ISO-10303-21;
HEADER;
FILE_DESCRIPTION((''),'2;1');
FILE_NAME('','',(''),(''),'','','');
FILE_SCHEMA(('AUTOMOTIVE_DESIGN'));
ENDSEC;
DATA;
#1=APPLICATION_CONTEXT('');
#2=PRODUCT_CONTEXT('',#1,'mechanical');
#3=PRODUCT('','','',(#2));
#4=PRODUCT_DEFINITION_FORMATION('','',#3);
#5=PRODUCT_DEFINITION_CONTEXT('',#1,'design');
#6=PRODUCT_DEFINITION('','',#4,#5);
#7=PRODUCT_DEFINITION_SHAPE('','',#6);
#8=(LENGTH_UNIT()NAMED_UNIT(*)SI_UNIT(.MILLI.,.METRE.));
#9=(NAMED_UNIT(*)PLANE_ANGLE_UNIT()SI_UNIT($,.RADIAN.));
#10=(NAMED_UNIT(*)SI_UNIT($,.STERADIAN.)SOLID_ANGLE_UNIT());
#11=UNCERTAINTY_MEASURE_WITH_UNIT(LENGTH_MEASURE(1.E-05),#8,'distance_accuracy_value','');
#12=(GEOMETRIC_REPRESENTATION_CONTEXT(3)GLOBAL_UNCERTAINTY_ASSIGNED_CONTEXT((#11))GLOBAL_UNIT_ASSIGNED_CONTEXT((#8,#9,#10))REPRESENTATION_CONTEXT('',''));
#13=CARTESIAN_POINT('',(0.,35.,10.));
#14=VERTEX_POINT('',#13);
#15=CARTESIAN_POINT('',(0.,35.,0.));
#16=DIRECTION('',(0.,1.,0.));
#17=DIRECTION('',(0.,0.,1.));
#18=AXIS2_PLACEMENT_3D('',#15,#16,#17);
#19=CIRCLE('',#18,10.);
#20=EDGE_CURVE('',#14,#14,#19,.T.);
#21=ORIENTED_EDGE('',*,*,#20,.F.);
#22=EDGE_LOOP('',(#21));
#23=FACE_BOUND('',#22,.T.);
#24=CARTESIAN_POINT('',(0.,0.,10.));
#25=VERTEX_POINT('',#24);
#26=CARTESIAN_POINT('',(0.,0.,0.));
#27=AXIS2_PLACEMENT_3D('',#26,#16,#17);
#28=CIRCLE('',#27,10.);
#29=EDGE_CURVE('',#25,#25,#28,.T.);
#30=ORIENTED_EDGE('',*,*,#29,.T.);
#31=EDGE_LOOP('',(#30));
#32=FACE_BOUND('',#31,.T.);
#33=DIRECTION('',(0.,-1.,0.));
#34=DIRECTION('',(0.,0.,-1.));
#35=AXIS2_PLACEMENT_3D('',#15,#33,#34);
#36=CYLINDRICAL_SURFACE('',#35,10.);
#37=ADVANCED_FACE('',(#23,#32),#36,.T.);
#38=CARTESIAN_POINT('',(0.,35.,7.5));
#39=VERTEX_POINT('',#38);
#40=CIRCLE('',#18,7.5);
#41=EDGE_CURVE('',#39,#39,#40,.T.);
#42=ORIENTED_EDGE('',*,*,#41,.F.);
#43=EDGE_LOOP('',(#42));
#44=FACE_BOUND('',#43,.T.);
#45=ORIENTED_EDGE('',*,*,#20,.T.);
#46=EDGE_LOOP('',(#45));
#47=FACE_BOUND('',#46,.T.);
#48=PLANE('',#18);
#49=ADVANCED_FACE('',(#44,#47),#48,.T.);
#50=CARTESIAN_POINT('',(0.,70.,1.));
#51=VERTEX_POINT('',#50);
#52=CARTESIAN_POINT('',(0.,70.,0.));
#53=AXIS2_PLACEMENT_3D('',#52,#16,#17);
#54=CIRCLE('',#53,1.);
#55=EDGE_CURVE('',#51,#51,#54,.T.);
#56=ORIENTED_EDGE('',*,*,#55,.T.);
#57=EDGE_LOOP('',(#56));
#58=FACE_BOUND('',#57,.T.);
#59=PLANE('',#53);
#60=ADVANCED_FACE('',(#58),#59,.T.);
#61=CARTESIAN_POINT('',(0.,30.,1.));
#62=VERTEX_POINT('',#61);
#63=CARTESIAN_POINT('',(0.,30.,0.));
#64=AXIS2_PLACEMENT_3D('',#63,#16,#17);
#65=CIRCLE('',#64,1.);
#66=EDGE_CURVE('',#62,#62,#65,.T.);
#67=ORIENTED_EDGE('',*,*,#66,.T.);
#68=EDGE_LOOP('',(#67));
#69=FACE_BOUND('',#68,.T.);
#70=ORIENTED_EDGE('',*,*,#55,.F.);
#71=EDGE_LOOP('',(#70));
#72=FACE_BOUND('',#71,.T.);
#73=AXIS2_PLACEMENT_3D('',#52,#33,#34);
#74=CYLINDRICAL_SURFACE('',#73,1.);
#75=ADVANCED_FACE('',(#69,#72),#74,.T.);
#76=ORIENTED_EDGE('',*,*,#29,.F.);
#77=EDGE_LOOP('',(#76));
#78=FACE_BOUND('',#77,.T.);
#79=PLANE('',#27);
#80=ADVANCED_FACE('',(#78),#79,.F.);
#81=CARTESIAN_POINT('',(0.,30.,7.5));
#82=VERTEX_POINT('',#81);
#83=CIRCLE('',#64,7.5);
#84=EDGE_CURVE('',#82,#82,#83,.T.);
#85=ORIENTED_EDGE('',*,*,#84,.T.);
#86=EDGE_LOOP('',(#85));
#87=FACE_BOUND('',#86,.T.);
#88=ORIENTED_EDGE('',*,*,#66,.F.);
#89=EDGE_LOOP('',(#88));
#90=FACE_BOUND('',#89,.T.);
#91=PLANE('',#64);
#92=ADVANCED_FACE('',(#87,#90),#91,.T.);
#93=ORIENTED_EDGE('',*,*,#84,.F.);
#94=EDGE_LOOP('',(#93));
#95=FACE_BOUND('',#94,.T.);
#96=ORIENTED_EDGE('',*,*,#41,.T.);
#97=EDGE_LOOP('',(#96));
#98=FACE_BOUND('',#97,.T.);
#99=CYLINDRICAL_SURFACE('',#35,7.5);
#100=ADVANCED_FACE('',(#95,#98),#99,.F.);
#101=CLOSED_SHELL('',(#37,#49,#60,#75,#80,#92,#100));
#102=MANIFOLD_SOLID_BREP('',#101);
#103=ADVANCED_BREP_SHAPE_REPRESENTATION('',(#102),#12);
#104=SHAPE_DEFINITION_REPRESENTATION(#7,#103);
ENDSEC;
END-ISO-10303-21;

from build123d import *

# Parameters (mm, degrees)
SKETCH1_R                 = 10
BOSS_EXTRUDE2_DEPTH       = 35
SHELL1_T                  = -2.5
SHELL1_THICKNESS_2_FACE_R = 7.5
SHELL1_THICKNESS_2_DEPTH  = 27.5
SKETCH2_R                 = 1
BOSS_EXTRUDE3_DEPTH       = 40


with BuildPart() as part:
    # Sketch1 → Boss-Extrude2 (new body)
    with BuildSketch(Plane(origin=(0, 0, 0), x_dir=(1, 0, 0), z_dir=(0, 1, 0))):
        with Locations(Location((0, 0, 0), (0, 0, 270))):
            Circle(SKETCH1_R)
    extrude(amount=BOSS_EXTRUDE2_DEPTH)

    # Shell1
    shell1_openings = [part.faces().sort_by_distance(p)[0] for p in [
        (0, 35, 0),
    ]]
    offset(amount=SHELL1_T, openings=shell1_openings, kind=Kind.INTERSECTION)

    # Shell1 thickness 2 face (on inner face of the shell) → Shell1 thickness 2 (add)
    with BuildSketch(Plane(origin=(0, 2.5, 0), x_dir=(0, 0, -1), z_dir=(0, -1, 0))):
        Circle(SHELL1_THICKNESS_2_FACE_R)
    extrude(amount=-SHELL1_THICKNESS_2_DEPTH)

    # Sketch2 → Boss-Extrude3 (add)
    with BuildSketch(Plane(origin=(0, 30, 0), x_dir=(1, 0, 0), z_dir=(0, 1, 0))):
        with Locations(Location((0, 0, 0), (0, 0, 270))):
            Circle(SKETCH2_R)
    extrude(amount=BOSS_EXTRUDE3_DEPTH)


solid = part.part
